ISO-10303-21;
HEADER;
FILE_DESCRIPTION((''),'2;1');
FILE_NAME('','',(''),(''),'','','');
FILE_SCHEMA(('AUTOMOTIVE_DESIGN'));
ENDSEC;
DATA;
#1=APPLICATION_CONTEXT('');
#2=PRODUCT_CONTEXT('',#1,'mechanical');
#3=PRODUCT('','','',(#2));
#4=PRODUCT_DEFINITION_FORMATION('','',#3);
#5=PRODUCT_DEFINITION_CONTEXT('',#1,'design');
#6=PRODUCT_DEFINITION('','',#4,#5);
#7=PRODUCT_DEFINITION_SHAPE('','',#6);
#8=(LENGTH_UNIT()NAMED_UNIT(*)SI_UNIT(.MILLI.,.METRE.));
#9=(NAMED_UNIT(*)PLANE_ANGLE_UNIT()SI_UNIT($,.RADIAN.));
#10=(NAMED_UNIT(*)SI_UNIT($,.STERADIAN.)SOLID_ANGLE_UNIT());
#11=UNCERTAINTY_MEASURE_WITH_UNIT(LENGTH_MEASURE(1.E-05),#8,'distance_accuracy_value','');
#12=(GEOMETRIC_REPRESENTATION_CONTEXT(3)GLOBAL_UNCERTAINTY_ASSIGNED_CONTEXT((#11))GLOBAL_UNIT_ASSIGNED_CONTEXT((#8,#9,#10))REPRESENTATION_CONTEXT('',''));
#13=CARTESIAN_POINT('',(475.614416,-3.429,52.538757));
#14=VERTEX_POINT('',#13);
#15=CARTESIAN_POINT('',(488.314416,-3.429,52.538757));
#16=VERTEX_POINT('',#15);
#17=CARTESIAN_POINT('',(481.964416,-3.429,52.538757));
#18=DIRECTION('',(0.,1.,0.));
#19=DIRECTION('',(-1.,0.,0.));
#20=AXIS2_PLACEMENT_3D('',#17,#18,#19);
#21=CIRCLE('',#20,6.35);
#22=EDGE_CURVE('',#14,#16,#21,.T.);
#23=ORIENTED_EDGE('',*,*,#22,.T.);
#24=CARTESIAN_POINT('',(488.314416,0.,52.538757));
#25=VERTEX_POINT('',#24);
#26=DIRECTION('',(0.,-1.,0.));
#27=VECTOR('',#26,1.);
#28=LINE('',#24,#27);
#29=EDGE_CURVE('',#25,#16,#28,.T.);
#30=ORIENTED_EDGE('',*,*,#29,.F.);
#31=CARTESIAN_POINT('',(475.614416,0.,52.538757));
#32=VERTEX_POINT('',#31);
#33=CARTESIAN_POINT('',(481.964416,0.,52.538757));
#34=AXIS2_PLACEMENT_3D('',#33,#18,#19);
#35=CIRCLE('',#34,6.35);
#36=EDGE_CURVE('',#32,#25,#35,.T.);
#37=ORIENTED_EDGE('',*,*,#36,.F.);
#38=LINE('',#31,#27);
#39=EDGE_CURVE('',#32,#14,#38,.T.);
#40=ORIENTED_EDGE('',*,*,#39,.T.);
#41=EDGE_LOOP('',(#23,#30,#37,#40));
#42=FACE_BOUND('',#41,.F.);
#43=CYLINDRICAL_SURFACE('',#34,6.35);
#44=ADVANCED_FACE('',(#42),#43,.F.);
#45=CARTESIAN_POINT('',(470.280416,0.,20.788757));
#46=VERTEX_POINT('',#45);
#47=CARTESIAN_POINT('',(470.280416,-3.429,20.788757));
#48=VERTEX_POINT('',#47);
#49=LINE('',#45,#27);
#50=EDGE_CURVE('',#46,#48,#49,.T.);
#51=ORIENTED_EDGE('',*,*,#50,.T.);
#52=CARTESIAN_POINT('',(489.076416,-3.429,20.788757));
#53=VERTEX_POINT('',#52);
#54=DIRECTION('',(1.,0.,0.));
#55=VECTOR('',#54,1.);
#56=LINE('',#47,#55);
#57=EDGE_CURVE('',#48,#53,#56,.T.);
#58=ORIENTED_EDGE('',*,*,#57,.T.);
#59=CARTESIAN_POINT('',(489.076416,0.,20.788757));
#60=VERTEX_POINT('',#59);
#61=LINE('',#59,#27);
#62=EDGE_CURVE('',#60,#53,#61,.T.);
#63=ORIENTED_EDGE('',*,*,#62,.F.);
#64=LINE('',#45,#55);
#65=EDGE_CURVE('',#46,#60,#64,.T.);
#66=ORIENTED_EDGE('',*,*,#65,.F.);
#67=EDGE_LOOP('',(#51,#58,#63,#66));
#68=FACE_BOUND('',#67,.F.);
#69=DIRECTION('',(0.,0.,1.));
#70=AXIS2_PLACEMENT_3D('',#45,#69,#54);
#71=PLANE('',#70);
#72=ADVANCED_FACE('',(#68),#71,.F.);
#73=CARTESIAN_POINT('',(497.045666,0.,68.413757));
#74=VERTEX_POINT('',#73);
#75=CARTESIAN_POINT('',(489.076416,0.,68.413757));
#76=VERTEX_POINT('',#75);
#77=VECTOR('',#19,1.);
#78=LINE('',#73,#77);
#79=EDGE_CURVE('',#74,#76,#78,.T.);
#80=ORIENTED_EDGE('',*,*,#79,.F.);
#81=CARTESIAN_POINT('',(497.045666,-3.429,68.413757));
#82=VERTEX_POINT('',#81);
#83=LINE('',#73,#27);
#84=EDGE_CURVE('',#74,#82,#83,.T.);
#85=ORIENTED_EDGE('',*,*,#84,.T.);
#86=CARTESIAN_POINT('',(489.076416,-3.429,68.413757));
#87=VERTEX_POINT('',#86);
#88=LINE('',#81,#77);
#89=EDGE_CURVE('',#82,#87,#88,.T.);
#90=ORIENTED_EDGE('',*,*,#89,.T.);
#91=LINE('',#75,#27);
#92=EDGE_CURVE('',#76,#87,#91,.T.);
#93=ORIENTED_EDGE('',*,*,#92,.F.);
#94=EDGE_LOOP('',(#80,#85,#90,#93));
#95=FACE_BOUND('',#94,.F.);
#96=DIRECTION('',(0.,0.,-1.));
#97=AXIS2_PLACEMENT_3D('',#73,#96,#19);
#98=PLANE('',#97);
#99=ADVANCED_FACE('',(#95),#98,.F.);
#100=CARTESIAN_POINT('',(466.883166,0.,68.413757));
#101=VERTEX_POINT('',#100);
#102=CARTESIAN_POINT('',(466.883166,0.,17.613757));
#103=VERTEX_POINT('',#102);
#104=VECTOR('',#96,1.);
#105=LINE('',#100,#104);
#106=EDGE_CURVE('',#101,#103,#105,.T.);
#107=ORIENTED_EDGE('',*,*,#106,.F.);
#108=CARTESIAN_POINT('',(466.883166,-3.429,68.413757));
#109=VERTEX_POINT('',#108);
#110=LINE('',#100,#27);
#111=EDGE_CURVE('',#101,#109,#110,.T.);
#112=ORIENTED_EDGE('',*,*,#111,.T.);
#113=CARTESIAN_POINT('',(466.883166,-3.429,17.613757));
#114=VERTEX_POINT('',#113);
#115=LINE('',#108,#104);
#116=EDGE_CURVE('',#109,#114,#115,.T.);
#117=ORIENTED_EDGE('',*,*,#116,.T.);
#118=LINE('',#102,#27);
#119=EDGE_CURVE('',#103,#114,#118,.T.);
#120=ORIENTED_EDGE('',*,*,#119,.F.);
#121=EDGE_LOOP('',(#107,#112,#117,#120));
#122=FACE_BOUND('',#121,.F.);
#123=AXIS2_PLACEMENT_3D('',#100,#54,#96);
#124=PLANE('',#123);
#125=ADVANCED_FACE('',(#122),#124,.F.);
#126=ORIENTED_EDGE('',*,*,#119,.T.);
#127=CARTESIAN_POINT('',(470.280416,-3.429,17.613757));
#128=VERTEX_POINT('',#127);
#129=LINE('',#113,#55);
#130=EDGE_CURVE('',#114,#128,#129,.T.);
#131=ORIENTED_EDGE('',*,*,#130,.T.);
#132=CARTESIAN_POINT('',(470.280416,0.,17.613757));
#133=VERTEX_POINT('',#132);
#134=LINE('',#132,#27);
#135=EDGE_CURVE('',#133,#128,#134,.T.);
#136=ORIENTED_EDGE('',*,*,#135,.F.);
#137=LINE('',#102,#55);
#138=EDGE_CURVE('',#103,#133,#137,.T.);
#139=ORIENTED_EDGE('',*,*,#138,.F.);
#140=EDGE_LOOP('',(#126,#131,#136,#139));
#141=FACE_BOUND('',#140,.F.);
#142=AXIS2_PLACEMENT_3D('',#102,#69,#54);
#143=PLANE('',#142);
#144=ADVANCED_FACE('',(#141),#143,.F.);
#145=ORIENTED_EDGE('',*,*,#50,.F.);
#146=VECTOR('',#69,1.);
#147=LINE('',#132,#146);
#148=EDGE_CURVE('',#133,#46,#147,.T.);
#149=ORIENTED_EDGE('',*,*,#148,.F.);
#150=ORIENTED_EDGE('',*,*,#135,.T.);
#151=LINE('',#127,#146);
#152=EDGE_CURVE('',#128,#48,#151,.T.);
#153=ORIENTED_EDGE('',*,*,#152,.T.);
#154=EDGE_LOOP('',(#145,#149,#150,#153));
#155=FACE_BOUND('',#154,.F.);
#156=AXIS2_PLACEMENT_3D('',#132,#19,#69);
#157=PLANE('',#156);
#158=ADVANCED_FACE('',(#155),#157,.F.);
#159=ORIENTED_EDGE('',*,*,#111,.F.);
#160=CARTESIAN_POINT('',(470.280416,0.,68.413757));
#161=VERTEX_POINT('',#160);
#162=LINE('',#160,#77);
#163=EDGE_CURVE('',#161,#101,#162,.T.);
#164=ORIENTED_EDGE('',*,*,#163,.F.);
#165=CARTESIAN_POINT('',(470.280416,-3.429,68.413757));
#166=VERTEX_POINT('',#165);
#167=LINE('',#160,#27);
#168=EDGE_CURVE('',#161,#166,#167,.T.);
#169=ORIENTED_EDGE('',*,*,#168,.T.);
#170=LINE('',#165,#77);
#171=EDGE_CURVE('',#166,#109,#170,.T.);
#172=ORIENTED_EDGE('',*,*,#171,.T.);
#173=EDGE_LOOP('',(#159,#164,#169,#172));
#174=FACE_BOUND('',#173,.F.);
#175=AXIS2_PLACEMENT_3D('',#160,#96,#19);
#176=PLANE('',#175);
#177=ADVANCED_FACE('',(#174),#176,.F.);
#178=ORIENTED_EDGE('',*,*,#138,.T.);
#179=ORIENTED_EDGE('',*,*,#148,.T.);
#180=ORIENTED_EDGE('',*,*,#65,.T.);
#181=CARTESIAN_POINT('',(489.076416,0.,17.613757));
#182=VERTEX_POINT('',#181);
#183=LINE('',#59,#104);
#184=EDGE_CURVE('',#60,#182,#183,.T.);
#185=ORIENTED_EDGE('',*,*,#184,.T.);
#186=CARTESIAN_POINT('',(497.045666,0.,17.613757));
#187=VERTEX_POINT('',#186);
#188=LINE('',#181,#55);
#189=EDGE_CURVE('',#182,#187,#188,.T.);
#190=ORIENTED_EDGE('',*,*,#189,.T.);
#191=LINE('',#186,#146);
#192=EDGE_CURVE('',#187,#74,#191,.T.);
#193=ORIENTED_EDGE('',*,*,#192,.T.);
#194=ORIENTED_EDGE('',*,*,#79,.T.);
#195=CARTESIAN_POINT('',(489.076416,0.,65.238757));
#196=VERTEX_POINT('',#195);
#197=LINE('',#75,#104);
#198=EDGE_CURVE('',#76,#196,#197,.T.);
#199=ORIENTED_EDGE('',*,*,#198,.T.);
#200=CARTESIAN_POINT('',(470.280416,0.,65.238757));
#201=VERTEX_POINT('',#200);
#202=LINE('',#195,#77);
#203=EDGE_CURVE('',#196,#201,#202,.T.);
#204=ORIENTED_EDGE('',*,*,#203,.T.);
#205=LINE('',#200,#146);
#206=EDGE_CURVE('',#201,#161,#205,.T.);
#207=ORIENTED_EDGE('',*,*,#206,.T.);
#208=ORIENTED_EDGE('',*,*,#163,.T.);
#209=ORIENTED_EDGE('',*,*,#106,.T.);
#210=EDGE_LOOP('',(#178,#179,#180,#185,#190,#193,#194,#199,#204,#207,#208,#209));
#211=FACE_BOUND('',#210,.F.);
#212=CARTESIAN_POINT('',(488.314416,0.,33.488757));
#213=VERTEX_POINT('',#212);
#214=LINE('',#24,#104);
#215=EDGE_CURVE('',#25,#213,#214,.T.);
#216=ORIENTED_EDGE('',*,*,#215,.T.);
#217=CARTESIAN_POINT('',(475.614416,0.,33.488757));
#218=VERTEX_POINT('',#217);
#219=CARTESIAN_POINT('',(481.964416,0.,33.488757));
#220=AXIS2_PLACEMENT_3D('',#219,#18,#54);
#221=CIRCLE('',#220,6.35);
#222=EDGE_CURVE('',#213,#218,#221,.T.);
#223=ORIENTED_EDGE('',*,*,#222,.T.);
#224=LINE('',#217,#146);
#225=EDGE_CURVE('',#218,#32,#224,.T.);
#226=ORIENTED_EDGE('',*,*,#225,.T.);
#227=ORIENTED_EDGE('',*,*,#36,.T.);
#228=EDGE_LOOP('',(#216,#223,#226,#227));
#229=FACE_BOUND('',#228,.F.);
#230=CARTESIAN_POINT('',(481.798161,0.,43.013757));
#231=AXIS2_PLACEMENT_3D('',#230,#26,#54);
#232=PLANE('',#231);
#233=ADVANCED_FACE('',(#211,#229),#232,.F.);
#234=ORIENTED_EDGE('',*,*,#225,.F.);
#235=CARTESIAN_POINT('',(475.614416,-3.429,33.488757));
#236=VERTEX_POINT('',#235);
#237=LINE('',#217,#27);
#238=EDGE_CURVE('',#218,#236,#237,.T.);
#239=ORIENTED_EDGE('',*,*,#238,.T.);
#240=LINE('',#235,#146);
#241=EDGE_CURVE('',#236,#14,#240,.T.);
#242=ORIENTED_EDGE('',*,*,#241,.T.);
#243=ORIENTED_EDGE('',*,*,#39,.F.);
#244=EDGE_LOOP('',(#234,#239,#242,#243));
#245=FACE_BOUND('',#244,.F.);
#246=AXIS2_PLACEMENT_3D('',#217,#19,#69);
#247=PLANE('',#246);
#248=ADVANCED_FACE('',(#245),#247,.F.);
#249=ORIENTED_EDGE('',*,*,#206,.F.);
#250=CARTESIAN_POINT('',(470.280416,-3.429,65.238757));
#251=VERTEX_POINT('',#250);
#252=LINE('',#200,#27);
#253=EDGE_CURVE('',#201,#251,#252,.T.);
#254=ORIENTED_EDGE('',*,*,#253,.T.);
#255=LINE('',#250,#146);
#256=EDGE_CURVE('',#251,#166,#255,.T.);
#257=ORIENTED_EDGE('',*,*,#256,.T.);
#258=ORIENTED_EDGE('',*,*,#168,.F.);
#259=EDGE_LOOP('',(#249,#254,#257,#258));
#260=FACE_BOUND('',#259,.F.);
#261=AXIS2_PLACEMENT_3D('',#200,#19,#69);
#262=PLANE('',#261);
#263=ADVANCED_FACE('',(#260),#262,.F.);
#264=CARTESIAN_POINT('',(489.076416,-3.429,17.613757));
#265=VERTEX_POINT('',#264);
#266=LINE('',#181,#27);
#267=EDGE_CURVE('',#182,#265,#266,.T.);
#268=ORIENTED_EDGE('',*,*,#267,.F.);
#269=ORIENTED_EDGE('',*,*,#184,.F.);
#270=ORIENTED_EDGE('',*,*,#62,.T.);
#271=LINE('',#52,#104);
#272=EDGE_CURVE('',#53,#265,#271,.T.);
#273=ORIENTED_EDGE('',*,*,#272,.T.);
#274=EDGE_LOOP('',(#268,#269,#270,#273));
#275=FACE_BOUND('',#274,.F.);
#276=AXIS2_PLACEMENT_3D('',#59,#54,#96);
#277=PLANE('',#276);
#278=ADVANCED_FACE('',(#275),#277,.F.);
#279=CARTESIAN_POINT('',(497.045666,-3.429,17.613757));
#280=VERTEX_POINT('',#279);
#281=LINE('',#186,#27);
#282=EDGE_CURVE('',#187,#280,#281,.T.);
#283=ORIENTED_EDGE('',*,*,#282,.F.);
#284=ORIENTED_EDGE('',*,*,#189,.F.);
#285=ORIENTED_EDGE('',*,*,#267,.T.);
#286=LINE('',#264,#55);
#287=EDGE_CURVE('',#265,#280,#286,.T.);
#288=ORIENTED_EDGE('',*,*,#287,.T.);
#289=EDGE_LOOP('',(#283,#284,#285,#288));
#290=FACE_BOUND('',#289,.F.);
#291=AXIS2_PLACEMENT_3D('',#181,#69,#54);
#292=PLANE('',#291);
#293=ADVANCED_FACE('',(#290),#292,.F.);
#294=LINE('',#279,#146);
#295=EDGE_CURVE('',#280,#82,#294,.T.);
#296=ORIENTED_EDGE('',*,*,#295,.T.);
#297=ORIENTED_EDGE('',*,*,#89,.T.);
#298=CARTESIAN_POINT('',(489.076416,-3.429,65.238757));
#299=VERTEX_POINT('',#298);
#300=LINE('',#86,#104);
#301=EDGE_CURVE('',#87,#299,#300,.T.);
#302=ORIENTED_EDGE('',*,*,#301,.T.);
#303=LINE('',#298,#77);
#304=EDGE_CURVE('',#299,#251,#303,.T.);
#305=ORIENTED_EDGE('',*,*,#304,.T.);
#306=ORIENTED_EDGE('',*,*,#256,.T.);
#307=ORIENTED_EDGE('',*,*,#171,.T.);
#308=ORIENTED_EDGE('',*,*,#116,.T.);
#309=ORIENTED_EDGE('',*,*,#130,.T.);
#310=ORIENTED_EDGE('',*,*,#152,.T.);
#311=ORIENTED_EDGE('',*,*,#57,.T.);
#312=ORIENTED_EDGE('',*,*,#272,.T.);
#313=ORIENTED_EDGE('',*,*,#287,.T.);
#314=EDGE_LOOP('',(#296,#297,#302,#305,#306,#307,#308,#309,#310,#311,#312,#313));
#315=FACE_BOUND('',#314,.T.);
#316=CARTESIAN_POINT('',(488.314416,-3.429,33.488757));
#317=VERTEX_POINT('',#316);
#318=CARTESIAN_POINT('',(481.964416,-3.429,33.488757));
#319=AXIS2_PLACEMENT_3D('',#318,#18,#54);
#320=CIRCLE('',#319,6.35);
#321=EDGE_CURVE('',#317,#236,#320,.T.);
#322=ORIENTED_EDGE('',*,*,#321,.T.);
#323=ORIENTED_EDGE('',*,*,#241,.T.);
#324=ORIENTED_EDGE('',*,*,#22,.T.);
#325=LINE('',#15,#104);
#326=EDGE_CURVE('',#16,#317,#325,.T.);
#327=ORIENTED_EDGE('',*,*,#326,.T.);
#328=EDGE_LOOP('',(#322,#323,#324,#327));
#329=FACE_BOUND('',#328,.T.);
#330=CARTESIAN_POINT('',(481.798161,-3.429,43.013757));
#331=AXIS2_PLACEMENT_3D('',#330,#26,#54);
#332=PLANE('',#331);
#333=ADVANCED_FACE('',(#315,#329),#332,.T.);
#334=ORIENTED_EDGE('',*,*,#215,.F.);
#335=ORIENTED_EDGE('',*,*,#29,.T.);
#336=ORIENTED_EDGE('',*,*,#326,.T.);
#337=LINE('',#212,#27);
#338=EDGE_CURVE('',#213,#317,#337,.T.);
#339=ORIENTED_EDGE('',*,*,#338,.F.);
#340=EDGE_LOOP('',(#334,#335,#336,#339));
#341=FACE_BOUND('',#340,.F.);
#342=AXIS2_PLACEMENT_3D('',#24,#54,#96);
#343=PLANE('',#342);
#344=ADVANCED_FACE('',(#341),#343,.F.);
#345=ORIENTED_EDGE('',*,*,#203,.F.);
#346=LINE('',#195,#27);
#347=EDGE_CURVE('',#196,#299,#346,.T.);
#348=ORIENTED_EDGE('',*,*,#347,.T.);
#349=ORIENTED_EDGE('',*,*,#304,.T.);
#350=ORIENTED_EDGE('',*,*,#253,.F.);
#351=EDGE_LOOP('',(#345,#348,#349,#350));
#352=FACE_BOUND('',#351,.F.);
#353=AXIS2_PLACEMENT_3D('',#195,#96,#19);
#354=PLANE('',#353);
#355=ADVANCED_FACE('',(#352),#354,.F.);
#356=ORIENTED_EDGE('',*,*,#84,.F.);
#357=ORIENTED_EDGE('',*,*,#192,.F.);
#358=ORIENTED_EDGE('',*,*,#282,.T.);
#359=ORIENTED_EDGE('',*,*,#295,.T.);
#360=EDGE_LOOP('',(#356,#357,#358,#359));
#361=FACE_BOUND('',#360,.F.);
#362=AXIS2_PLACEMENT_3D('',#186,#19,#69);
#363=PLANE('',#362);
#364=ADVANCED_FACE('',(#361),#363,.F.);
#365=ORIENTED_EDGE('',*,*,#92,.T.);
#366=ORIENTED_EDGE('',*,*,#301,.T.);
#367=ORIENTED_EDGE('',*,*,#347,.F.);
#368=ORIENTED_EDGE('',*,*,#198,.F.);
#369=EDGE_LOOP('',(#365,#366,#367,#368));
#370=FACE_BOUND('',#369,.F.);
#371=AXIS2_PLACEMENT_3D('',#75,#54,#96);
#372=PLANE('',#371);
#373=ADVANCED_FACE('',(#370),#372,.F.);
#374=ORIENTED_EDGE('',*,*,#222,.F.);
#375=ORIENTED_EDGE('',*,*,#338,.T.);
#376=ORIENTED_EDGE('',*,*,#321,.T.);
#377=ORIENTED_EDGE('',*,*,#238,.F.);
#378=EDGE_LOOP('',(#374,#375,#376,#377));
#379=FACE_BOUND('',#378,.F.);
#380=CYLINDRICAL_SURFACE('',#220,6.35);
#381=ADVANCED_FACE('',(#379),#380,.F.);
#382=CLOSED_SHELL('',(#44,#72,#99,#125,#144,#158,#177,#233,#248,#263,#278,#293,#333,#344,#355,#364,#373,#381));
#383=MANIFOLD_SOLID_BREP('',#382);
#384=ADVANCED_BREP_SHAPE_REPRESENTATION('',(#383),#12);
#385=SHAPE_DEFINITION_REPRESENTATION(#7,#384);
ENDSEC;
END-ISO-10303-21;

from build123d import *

# Parameters (mm, degrees)
F1_DEPTH = 3.429


with BuildPart() as f1:
    # F0 (on Front) → F1 (new body)
    with BuildSketch(Plane.XZ):
        Polygon((489.076416, 17.613757), (497.045666, 17.613757), (497.045666, 68.413757), (489.076416, 68.413757), (489.076416, 65.238757), (470.280416, 65.238757), (470.280416, 68.413757), (466.883166, 68.413757), (466.883166, 17.613757), (470.280416, 17.613757), (470.280416, 20.788757), (489.076416, 20.788757), align=None)
        with BuildLine():
            ThreePointArc((488.314416, 33.488757), (481.964416, 27.138757), (475.614416, 33.488757))
            Line((475.614416, 33.488757), (475.614416, 52.538757))
            ThreePointArc((475.614416, 52.538757), (481.964416, 58.888757), (488.314416, 52.538757))
            Line((488.314416, 52.538757), (488.314416, 33.488757))
        make_face(mode=Mode.SUBTRACT)
    extrude(amount=F1_DEPTH)


solid = f1.part
